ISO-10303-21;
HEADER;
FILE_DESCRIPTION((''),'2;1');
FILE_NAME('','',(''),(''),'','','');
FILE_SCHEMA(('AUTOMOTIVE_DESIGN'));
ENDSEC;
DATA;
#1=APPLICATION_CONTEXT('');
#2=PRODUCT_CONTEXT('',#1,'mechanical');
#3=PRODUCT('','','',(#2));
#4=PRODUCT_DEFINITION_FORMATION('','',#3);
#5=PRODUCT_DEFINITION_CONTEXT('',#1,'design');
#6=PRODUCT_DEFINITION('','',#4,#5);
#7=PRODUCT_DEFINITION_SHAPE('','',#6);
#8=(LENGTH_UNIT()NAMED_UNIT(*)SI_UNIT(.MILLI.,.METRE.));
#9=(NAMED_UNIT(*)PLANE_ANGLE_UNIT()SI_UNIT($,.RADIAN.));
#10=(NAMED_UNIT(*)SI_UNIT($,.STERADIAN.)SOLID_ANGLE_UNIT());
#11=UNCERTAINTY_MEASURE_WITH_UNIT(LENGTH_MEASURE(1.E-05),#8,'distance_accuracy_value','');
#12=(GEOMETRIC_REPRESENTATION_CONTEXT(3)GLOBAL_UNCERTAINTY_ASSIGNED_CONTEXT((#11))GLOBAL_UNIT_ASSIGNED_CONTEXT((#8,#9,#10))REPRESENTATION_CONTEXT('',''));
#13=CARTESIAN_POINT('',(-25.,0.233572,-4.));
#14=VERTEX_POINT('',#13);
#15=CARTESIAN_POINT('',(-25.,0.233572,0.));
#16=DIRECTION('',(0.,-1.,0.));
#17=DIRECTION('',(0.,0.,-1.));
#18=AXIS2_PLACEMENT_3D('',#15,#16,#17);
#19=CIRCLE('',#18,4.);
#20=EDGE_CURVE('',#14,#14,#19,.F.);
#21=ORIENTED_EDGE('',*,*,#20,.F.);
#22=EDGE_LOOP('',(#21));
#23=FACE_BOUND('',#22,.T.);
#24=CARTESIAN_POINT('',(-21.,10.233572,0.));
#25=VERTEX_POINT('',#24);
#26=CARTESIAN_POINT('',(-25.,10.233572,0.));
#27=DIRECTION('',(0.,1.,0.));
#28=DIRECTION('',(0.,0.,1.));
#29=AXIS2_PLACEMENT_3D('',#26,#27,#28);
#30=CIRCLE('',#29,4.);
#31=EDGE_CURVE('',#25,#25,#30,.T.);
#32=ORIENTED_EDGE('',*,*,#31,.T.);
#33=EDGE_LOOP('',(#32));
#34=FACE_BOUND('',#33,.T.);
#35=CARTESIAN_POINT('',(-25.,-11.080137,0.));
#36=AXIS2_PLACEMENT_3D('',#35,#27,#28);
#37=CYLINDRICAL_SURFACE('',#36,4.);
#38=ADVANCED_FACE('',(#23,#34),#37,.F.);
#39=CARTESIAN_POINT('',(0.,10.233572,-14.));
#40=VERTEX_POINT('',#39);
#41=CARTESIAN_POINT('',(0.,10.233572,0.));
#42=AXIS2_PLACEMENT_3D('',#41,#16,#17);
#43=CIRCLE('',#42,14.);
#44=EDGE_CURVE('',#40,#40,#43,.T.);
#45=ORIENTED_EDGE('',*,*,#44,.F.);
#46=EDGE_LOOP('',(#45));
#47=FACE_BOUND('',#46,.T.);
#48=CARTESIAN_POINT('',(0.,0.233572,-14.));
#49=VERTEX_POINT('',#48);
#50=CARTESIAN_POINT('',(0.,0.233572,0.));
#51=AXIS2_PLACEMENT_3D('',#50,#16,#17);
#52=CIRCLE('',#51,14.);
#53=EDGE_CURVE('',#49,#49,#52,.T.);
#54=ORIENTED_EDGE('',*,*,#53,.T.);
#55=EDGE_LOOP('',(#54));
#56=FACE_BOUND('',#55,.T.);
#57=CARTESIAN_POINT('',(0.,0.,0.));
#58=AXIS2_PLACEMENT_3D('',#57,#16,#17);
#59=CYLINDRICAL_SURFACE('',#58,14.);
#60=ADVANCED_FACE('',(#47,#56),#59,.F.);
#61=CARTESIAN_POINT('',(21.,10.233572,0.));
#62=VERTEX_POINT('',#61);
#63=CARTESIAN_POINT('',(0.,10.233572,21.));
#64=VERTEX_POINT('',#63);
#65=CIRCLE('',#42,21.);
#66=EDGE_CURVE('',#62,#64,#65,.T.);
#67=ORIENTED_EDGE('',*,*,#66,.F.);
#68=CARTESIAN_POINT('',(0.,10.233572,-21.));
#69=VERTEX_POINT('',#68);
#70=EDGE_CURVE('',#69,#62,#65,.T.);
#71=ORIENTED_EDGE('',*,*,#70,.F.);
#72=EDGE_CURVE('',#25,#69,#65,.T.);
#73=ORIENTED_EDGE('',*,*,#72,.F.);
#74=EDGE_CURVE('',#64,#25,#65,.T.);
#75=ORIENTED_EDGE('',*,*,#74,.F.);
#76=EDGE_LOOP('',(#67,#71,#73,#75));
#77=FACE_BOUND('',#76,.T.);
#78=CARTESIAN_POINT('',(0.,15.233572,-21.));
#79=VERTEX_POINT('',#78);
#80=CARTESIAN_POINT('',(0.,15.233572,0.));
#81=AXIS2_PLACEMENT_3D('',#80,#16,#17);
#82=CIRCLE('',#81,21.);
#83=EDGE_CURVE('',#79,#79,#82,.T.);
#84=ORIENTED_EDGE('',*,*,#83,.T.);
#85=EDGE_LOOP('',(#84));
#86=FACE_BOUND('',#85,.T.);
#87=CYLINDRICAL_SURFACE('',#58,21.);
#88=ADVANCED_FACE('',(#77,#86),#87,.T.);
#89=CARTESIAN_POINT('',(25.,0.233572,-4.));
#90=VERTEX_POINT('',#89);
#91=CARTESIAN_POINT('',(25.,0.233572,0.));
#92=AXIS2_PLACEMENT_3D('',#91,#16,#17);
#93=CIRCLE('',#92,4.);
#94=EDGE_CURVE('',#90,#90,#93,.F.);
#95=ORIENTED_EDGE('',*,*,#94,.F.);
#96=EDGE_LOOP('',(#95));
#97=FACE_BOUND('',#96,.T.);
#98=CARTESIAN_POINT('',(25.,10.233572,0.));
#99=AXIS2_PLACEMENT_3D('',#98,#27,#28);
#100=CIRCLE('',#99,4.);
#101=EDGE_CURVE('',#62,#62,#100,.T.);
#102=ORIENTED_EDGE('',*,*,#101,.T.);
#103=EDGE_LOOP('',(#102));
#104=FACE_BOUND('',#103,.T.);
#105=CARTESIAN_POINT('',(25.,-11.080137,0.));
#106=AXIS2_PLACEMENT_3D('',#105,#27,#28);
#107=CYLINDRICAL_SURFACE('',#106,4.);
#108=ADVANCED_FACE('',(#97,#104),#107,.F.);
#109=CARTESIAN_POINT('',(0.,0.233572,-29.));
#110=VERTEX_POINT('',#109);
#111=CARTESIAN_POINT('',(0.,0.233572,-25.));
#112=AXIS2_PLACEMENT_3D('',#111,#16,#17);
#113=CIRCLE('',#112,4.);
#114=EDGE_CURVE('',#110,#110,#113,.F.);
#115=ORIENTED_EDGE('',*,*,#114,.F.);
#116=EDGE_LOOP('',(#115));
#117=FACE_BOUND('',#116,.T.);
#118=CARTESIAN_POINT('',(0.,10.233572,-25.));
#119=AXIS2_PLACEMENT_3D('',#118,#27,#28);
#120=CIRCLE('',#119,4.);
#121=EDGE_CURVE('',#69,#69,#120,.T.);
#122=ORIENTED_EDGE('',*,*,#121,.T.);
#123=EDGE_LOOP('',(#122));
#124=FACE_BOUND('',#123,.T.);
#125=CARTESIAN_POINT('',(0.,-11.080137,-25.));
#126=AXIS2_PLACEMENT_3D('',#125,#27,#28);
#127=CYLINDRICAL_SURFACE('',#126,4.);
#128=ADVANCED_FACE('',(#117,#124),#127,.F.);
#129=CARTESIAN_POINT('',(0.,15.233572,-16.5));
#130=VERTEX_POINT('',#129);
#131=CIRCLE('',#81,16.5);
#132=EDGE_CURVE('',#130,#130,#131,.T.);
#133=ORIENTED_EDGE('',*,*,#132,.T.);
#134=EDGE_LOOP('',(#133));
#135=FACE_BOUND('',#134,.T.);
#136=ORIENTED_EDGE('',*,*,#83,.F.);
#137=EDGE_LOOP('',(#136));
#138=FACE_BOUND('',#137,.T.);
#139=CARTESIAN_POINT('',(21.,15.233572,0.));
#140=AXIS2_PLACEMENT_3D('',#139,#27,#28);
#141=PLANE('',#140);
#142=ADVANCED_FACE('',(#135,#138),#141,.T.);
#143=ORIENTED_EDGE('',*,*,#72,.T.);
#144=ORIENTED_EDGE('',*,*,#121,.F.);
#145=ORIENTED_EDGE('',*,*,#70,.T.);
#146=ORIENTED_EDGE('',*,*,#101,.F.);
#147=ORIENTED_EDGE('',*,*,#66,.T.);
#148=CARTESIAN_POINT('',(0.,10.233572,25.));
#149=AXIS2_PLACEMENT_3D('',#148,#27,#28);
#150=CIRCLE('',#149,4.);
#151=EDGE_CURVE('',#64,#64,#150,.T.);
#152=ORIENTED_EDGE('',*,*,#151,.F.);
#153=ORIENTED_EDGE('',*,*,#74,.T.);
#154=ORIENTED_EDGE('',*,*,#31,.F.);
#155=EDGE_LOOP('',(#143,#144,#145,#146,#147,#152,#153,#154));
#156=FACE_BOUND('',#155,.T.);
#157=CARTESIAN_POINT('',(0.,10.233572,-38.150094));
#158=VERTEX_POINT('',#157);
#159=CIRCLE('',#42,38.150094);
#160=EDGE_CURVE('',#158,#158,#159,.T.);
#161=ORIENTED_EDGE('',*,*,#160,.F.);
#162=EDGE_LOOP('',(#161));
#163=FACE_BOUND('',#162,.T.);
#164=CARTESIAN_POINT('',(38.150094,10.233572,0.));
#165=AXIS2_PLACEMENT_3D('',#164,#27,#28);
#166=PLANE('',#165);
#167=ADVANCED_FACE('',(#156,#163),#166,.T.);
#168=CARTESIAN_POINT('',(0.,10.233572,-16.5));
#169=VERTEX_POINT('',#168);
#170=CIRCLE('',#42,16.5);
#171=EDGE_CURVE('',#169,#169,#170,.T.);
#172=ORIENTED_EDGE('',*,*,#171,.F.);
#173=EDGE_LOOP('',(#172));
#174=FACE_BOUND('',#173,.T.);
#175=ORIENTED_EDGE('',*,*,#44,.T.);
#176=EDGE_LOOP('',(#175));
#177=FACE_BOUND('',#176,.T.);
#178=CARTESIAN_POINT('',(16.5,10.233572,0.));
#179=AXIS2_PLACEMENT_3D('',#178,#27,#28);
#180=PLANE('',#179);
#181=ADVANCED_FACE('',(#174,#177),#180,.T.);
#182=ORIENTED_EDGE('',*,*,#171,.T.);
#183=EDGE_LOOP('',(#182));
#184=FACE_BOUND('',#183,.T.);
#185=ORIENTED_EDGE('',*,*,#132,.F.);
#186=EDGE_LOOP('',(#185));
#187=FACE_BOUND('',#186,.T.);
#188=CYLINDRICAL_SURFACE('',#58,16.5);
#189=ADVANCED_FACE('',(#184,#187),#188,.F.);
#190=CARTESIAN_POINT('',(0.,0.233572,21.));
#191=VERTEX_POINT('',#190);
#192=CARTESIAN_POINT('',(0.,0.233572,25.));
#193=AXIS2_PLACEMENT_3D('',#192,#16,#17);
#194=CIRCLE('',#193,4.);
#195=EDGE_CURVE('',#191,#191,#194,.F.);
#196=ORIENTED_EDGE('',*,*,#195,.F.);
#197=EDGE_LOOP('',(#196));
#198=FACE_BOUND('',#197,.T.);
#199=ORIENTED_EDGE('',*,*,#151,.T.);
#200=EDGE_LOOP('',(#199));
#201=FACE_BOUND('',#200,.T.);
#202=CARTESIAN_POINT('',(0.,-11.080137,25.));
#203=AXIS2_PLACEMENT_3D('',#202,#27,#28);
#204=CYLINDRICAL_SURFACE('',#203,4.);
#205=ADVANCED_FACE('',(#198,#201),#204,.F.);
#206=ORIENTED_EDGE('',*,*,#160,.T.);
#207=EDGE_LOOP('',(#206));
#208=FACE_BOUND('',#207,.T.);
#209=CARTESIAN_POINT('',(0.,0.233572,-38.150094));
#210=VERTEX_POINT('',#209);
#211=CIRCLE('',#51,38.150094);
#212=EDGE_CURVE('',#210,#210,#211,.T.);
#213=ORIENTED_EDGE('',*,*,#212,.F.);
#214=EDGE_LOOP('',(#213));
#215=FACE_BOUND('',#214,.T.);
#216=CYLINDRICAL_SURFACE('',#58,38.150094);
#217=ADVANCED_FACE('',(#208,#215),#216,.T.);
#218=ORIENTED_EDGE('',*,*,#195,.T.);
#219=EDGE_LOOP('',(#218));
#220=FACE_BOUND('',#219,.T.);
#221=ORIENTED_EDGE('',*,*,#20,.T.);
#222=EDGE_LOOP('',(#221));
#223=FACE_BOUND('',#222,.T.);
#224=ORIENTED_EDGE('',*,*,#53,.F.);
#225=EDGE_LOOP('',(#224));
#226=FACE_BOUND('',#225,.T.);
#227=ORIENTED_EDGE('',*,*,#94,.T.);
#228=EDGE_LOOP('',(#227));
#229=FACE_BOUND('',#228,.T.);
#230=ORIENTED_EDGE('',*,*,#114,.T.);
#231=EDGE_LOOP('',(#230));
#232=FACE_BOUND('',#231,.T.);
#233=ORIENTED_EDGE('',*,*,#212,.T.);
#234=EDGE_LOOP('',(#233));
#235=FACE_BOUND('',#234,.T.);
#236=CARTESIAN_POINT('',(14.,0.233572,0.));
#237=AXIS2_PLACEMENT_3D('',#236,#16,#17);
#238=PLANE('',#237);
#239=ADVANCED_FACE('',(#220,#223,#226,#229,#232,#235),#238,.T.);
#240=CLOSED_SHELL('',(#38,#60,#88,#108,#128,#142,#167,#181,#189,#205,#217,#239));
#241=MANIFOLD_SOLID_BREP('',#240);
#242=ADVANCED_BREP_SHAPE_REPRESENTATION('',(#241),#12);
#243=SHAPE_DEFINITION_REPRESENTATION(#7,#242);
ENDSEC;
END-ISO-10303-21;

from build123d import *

# Parameters (mm, degrees)
SKETCH14_R         = 4
CUT_EXTRUDE2_DEPTH = 10


with BuildPart() as part:
    # Sketch1 → Revolve2 (revolve)
    with BuildSketch(Plane.XY):
        Polygon((14, 0.233571738), (38.150093927, 0.233571738), (38.150093927, 10.233571738), (21, 10.233571738), (21, 15.233571738), (16.5, 15.233571738), (16.5, 10.233571738), (14, 10.233571738), align=None)
    revolve(axis=Axis((0, 0, 0), (0, 1, 0)))

    # Sketch14 → Cut-Extrude2 (cut)
    with BuildSketch(Plane(origin=(0, 10.233571738, 0), x_dir=(1, 0, 0), z_dir=(0, 1, 0))):
        with Locations((25, 0)):
            Circle(SKETCH14_R)
        with Locations((0, 25)):
            Circle(SKETCH14_R)
        with Locations((-25, 0)):
            Circle(SKETCH14_R)
        with Locations((0, -25)):
            Circle(SKETCH14_R)
    extrude(amount=-CUT_EXTRUDE2_DEPTH, mode=Mode.SUBTRACT)


solid = part.part
